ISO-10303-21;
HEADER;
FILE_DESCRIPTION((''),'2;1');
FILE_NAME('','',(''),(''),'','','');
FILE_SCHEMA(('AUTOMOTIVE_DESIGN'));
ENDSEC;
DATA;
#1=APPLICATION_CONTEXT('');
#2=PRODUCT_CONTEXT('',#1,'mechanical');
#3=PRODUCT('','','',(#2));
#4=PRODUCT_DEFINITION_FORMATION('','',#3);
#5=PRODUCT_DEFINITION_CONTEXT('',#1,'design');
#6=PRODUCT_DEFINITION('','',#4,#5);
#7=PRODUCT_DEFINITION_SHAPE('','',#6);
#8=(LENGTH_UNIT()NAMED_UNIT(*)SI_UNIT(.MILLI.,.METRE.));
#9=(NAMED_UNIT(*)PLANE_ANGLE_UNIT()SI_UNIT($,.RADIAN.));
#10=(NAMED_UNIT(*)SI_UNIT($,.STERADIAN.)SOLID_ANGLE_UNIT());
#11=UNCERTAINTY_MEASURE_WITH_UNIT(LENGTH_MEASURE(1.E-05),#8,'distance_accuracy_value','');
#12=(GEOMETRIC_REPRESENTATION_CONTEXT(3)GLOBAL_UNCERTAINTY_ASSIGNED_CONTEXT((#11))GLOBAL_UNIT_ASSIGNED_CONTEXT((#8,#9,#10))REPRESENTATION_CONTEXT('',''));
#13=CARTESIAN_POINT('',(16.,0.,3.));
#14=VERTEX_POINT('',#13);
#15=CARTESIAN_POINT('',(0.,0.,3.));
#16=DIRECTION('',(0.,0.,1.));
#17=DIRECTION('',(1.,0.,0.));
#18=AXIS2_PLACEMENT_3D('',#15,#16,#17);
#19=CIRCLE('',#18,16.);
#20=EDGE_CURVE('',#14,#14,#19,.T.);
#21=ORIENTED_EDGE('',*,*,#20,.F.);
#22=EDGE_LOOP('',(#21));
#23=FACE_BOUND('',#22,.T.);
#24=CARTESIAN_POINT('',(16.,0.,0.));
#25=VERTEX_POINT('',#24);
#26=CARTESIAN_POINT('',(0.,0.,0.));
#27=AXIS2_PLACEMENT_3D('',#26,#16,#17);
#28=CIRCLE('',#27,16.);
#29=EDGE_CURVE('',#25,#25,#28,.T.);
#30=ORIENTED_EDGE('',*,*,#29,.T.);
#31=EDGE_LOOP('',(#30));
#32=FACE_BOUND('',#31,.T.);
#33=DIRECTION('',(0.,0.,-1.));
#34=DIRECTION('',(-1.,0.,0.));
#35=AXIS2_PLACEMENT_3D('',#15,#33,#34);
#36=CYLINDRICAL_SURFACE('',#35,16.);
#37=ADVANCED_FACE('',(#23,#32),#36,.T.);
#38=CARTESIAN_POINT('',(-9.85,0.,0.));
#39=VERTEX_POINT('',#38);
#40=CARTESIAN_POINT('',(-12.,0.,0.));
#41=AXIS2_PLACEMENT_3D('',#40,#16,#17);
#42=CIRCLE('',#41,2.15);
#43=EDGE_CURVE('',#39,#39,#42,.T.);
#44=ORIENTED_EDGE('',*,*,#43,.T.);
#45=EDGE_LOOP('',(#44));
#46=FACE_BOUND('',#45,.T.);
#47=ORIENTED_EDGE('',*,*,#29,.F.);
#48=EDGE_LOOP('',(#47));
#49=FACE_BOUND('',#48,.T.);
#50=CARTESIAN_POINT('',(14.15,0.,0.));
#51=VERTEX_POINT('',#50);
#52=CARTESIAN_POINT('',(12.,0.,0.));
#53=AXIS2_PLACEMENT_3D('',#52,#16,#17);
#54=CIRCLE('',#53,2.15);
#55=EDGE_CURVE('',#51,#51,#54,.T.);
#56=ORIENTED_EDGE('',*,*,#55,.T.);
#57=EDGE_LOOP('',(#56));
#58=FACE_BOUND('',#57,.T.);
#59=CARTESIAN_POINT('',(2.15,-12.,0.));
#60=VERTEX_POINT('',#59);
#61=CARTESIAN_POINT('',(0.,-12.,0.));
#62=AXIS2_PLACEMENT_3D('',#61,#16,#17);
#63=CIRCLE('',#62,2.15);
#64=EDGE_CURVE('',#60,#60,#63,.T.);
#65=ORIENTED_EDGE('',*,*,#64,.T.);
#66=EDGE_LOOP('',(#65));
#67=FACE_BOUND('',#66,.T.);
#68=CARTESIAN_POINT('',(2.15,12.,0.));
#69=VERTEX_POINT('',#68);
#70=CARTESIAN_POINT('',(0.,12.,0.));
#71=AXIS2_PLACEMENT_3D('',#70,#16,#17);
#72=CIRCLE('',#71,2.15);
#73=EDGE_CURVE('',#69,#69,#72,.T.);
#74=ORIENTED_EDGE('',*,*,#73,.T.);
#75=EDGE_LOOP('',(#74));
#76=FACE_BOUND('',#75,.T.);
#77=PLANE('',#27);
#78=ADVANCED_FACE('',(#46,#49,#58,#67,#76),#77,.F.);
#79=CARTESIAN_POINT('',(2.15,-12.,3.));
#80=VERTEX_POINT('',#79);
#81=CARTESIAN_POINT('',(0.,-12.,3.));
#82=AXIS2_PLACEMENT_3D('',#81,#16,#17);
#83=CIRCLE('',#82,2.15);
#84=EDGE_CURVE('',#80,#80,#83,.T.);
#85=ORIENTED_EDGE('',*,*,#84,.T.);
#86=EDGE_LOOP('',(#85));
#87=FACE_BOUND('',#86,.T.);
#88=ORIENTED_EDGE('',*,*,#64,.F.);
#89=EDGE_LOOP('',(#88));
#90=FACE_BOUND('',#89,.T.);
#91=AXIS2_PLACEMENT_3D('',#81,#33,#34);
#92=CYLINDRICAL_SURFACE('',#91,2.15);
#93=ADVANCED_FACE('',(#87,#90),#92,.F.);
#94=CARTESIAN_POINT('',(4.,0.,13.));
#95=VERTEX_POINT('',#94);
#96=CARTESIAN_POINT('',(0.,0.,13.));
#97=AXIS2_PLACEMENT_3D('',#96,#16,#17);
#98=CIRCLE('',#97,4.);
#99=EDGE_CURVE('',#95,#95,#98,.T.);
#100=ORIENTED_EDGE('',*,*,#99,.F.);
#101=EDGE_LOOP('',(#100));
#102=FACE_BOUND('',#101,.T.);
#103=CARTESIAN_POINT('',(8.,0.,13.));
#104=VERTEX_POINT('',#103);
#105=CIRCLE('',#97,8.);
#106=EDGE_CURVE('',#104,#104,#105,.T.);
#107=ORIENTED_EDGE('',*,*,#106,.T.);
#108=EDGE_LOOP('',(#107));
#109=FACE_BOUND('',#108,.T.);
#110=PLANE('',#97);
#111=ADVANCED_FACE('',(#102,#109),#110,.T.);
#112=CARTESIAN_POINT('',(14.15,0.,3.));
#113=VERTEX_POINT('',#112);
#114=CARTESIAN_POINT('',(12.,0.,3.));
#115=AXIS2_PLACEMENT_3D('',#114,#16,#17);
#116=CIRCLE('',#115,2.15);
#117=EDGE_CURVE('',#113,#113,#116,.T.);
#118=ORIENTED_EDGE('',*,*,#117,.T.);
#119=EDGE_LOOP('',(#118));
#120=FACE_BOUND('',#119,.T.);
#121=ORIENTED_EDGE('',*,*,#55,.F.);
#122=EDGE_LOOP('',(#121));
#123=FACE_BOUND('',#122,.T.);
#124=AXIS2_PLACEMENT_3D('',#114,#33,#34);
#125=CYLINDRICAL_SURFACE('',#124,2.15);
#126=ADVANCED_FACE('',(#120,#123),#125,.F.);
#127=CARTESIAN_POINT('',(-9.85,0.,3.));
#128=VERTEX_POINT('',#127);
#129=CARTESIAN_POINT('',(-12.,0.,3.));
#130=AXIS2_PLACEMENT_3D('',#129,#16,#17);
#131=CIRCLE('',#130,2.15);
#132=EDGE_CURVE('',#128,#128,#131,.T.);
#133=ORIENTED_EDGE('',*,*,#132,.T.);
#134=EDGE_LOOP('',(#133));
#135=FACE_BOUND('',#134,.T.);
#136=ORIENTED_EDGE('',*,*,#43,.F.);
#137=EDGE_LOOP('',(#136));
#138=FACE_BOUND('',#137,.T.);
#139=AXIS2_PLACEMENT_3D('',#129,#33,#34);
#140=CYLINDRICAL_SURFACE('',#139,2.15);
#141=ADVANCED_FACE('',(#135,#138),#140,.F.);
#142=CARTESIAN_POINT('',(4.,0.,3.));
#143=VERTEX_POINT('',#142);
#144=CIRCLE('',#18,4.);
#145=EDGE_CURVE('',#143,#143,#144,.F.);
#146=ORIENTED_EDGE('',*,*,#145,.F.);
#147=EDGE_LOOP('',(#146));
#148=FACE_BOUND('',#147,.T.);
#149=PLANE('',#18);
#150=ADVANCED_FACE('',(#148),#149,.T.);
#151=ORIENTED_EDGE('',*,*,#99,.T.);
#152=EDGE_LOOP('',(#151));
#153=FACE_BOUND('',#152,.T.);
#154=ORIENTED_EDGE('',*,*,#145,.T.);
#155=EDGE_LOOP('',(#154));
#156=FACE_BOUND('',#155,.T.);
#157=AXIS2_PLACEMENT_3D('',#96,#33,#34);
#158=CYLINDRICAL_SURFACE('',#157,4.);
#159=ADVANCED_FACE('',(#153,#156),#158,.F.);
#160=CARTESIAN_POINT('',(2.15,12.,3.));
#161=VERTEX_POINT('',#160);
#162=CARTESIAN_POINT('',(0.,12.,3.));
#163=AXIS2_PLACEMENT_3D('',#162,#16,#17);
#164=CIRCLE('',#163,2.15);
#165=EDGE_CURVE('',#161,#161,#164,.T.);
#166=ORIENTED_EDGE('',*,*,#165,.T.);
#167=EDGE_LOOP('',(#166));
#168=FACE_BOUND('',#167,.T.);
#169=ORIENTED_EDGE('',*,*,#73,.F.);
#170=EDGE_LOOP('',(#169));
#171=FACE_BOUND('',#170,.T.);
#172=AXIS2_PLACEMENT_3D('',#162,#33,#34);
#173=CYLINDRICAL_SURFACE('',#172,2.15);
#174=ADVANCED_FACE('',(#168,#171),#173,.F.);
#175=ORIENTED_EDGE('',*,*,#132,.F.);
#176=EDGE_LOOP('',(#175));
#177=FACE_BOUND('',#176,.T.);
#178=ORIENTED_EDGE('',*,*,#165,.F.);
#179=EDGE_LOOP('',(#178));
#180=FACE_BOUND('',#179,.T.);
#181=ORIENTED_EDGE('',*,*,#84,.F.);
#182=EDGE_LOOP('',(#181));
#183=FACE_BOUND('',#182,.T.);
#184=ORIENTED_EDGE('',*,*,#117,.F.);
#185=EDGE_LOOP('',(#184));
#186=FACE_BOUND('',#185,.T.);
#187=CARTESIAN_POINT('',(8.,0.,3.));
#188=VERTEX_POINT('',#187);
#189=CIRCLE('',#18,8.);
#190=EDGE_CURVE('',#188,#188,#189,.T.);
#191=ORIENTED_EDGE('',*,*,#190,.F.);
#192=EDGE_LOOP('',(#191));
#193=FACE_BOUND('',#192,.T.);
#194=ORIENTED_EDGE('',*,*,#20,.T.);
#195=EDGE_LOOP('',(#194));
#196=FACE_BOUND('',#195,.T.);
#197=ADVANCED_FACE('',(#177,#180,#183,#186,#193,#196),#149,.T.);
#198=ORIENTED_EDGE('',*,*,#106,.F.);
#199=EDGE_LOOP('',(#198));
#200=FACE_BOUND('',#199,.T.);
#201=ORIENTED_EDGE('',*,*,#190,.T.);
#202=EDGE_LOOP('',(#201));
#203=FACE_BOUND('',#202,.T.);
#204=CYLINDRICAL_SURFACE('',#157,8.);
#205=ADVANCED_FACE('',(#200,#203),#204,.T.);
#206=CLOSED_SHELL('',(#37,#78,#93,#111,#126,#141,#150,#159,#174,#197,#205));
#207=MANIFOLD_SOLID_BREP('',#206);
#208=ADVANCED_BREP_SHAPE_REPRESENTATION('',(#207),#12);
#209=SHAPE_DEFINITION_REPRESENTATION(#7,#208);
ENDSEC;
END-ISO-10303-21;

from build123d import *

# Parameters (mm, degrees)
SKETCH_1_R      = 16
SKETCH_1_R_2    = 8
SKETCH_1_R_3    = 2.15
SKETCH_1_R_4    = 4
EXTRUDE_2_DEPTH = 3
SKETCH_2_R      = 8
SKETCH_2_R_2    = 4
EXTRUDE_3_DEPTH = 10


with BuildPart() as part:
    # 草图1 → 凸台-拉伸2 (new body)
    # profile 1 of 3: a face of its own
    with BuildSketch(Plane.XY):
        Circle(SKETCH_1_R)
        Circle(SKETCH_1_R_2, mode=Mode.SUBTRACT)
        with Locations((12, 0)):
            Circle(SKETCH_1_R_3, mode=Mode.SUBTRACT)
        with Locations((-12, 0)):
            Circle(SKETCH_1_R_3, mode=Mode.SUBTRACT)
        with Locations((0, -12)):
            Circle(SKETCH_1_R_3, mode=Mode.SUBTRACT)
        with Locations((0, 12)):
            Circle(SKETCH_1_R_3, mode=Mode.SUBTRACT)
    # profile 2 of 3: a face of its own
    with BuildSketch(Plane.XY):
        Circle(SKETCH_1_R_2)
        Circle(SKETCH_1_R_4, mode=Mode.SUBTRACT)
    # profile 3 of 3: a face of its own
    with BuildSketch(Plane.XY):
        Circle(SKETCH_1_R_4)
    extrude(amount=EXTRUDE_2_DEPTH)

    # 草图2 → 凸台-拉伸3 (add)
    with BuildSketch(Plane.XY.offset(3)):
        Circle(SKETCH_2_R)
        Circle(SKETCH_2_R_2, mode=Mode.SUBTRACT)
    extrude(amount=EXTRUDE_3_DEPTH)


solid = part.part
